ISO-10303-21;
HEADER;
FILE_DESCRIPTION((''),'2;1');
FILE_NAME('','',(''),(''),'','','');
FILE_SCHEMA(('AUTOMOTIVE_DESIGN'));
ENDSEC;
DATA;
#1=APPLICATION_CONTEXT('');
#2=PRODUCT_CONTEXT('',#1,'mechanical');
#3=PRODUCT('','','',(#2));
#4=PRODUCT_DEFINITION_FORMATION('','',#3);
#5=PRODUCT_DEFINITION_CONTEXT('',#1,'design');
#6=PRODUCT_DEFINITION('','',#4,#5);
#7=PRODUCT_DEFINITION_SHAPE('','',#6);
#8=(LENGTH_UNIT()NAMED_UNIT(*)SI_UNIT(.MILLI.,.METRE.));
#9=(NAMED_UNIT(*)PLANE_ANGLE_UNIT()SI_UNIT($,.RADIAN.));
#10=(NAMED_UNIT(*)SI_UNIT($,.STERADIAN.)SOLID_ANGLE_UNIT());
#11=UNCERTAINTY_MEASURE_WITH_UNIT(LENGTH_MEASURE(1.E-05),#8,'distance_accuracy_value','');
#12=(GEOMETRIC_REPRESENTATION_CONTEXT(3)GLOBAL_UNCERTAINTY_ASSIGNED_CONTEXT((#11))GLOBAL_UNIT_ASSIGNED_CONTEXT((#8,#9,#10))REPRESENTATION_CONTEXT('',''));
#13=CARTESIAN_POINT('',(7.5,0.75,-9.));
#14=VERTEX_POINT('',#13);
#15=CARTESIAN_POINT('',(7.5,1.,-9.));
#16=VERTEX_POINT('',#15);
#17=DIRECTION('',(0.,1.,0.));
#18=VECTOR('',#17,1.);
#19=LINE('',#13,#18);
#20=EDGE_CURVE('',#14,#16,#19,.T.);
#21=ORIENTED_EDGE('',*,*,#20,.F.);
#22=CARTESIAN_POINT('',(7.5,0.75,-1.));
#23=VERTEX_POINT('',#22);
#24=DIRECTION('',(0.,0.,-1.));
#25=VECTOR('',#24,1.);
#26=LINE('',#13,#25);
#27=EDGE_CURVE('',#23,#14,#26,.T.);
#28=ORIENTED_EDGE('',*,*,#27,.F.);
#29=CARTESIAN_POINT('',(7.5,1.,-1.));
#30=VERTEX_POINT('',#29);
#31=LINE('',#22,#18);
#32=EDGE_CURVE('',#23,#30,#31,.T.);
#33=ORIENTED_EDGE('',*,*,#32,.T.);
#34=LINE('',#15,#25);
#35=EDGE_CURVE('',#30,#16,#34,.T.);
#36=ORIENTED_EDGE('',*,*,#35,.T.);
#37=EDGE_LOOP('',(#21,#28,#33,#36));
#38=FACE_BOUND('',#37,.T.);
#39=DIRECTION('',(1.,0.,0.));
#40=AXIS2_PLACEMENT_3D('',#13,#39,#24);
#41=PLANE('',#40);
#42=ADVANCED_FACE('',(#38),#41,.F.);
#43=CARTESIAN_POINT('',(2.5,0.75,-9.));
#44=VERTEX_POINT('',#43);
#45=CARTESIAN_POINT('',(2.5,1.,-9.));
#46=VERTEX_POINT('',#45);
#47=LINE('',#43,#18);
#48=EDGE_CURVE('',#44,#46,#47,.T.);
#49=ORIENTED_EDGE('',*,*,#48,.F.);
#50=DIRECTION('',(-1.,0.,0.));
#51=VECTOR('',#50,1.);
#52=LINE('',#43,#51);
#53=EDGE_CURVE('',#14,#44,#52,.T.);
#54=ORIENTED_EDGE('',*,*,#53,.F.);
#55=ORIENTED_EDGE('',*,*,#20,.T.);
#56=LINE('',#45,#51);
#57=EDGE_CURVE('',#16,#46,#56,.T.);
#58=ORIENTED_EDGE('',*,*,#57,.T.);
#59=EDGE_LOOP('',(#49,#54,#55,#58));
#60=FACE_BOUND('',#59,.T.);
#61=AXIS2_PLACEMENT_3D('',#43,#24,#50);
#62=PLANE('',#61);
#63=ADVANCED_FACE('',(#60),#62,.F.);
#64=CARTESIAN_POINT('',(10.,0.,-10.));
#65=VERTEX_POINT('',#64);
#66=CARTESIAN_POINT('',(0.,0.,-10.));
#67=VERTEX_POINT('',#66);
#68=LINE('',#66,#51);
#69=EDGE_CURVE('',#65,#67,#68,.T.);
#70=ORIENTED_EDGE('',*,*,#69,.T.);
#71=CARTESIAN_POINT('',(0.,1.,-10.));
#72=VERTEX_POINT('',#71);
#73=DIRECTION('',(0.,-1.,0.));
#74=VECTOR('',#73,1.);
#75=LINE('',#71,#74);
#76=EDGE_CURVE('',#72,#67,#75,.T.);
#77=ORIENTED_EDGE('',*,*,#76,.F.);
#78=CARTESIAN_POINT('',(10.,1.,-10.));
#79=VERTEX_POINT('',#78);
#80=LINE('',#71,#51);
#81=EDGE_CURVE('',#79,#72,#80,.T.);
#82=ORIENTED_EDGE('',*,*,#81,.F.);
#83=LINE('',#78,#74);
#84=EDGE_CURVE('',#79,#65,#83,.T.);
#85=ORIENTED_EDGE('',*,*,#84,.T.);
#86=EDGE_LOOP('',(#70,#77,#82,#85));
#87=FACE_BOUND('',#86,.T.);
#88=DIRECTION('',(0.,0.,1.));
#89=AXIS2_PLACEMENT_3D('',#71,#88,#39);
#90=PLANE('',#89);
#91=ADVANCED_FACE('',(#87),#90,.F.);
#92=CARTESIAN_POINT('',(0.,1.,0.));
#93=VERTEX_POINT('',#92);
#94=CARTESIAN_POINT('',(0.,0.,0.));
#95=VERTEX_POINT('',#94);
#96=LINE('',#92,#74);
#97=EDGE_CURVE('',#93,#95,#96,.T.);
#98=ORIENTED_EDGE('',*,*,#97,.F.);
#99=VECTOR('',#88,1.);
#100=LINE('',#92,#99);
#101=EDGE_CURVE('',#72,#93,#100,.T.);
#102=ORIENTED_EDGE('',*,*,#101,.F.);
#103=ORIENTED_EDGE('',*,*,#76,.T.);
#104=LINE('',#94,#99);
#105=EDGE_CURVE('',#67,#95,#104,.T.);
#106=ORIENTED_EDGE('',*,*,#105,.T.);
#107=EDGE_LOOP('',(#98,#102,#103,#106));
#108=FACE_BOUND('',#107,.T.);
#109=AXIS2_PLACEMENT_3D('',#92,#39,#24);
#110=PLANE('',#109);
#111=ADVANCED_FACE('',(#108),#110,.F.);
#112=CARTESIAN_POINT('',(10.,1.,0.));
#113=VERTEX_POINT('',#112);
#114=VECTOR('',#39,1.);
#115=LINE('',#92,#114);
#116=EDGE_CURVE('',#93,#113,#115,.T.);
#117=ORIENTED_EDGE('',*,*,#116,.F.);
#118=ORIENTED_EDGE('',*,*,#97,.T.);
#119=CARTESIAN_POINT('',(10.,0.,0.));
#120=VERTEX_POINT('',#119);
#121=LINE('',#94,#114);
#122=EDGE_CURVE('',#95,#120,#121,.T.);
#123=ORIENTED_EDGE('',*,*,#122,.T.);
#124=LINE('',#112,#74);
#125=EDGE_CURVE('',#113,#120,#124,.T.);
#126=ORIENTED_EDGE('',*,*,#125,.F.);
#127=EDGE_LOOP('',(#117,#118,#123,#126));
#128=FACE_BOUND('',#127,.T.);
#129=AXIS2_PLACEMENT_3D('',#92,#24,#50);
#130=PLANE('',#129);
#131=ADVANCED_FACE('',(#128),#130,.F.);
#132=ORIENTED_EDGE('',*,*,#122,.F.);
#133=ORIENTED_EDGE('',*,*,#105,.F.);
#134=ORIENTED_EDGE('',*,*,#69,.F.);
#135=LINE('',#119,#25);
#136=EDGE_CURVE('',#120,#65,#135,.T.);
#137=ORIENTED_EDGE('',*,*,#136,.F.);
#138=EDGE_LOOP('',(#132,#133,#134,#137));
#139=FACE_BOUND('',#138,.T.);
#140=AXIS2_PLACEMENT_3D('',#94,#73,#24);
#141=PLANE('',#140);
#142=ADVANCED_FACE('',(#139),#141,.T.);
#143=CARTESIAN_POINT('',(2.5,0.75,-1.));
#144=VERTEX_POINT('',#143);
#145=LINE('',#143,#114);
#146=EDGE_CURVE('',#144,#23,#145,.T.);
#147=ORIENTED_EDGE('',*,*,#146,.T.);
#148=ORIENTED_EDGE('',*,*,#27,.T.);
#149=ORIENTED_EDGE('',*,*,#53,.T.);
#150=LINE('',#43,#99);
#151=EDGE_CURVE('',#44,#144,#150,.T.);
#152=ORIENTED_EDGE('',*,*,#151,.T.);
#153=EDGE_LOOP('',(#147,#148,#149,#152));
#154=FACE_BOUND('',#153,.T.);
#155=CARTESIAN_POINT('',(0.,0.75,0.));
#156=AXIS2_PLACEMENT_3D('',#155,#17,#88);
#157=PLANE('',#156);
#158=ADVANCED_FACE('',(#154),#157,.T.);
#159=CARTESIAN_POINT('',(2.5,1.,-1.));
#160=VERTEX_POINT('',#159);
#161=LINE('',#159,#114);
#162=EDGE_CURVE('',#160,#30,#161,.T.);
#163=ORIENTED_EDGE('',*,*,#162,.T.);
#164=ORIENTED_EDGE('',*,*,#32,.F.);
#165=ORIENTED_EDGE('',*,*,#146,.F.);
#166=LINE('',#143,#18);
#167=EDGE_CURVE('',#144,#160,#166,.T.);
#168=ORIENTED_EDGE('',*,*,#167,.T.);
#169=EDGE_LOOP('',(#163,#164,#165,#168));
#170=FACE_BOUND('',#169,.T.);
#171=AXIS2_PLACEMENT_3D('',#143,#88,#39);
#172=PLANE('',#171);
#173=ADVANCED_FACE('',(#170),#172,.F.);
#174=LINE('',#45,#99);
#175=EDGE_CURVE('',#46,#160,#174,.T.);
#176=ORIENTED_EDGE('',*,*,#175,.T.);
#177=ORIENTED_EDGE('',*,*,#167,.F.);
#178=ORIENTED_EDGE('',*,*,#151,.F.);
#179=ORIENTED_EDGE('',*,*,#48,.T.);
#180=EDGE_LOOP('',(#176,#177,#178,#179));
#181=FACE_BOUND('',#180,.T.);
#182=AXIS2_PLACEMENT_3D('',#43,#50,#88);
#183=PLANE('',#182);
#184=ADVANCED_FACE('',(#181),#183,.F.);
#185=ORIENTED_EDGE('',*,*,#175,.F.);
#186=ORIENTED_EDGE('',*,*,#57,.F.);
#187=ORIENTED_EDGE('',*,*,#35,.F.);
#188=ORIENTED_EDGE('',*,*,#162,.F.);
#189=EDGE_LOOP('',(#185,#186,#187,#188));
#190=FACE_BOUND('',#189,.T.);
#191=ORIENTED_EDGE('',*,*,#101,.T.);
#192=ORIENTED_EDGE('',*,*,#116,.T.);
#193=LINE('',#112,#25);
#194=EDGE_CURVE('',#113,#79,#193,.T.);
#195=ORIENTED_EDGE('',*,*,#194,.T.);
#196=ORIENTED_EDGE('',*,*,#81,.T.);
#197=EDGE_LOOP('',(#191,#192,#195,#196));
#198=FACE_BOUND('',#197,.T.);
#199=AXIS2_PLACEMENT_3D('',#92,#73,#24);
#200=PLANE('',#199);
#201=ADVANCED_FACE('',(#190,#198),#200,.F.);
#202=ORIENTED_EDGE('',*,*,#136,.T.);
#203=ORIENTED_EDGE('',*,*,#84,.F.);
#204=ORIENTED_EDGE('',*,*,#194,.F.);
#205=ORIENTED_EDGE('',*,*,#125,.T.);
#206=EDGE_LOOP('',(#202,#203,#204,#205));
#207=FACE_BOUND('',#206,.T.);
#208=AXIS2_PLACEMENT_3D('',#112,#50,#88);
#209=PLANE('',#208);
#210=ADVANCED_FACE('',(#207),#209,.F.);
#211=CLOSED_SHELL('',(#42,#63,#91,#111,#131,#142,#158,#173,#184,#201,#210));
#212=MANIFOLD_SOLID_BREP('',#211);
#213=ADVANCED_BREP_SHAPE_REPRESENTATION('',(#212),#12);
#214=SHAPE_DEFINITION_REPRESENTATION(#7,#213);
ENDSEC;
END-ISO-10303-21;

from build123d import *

# Parameters (mm, degrees)
ESQUISSE1_W             = 10
ESQUISSE1_H             = 10
BOSS_EXTRU_1_DEPTH      = 1
ESQUISSE3_W             = 5
ESQUISSE3_H             = 8
ENL_V_MAT_EXTRU_1_DEPTH = 0.25


with BuildPart() as part:
    # Esquisse1 → Boss.-Extru.1 (new body)
    with BuildSketch(Plane(origin=(0, 0, 0), x_dir=(1, 0, 0), z_dir=(0, 1, 0))):
        with Locations((5, 5)):
            Rectangle(ESQUISSE1_W, ESQUISSE1_H)
    extrude(amount=BOSS_EXTRU_1_DEPTH)

    # Esquisse3 → Enlèv. mat.-Extru.1 (cut)
    with BuildSketch(Plane(origin=(0, 1, 0), x_dir=(1, 0, 0), z_dir=(0, 1, 0))):
        with Locations((5, 5)):
            Rectangle(ESQUISSE3_W, ESQUISSE3_H)
    extrude(amount=-ENL_V_MAT_EXTRU_1_DEPTH, mode=Mode.SUBTRACT)


solid = part.part
